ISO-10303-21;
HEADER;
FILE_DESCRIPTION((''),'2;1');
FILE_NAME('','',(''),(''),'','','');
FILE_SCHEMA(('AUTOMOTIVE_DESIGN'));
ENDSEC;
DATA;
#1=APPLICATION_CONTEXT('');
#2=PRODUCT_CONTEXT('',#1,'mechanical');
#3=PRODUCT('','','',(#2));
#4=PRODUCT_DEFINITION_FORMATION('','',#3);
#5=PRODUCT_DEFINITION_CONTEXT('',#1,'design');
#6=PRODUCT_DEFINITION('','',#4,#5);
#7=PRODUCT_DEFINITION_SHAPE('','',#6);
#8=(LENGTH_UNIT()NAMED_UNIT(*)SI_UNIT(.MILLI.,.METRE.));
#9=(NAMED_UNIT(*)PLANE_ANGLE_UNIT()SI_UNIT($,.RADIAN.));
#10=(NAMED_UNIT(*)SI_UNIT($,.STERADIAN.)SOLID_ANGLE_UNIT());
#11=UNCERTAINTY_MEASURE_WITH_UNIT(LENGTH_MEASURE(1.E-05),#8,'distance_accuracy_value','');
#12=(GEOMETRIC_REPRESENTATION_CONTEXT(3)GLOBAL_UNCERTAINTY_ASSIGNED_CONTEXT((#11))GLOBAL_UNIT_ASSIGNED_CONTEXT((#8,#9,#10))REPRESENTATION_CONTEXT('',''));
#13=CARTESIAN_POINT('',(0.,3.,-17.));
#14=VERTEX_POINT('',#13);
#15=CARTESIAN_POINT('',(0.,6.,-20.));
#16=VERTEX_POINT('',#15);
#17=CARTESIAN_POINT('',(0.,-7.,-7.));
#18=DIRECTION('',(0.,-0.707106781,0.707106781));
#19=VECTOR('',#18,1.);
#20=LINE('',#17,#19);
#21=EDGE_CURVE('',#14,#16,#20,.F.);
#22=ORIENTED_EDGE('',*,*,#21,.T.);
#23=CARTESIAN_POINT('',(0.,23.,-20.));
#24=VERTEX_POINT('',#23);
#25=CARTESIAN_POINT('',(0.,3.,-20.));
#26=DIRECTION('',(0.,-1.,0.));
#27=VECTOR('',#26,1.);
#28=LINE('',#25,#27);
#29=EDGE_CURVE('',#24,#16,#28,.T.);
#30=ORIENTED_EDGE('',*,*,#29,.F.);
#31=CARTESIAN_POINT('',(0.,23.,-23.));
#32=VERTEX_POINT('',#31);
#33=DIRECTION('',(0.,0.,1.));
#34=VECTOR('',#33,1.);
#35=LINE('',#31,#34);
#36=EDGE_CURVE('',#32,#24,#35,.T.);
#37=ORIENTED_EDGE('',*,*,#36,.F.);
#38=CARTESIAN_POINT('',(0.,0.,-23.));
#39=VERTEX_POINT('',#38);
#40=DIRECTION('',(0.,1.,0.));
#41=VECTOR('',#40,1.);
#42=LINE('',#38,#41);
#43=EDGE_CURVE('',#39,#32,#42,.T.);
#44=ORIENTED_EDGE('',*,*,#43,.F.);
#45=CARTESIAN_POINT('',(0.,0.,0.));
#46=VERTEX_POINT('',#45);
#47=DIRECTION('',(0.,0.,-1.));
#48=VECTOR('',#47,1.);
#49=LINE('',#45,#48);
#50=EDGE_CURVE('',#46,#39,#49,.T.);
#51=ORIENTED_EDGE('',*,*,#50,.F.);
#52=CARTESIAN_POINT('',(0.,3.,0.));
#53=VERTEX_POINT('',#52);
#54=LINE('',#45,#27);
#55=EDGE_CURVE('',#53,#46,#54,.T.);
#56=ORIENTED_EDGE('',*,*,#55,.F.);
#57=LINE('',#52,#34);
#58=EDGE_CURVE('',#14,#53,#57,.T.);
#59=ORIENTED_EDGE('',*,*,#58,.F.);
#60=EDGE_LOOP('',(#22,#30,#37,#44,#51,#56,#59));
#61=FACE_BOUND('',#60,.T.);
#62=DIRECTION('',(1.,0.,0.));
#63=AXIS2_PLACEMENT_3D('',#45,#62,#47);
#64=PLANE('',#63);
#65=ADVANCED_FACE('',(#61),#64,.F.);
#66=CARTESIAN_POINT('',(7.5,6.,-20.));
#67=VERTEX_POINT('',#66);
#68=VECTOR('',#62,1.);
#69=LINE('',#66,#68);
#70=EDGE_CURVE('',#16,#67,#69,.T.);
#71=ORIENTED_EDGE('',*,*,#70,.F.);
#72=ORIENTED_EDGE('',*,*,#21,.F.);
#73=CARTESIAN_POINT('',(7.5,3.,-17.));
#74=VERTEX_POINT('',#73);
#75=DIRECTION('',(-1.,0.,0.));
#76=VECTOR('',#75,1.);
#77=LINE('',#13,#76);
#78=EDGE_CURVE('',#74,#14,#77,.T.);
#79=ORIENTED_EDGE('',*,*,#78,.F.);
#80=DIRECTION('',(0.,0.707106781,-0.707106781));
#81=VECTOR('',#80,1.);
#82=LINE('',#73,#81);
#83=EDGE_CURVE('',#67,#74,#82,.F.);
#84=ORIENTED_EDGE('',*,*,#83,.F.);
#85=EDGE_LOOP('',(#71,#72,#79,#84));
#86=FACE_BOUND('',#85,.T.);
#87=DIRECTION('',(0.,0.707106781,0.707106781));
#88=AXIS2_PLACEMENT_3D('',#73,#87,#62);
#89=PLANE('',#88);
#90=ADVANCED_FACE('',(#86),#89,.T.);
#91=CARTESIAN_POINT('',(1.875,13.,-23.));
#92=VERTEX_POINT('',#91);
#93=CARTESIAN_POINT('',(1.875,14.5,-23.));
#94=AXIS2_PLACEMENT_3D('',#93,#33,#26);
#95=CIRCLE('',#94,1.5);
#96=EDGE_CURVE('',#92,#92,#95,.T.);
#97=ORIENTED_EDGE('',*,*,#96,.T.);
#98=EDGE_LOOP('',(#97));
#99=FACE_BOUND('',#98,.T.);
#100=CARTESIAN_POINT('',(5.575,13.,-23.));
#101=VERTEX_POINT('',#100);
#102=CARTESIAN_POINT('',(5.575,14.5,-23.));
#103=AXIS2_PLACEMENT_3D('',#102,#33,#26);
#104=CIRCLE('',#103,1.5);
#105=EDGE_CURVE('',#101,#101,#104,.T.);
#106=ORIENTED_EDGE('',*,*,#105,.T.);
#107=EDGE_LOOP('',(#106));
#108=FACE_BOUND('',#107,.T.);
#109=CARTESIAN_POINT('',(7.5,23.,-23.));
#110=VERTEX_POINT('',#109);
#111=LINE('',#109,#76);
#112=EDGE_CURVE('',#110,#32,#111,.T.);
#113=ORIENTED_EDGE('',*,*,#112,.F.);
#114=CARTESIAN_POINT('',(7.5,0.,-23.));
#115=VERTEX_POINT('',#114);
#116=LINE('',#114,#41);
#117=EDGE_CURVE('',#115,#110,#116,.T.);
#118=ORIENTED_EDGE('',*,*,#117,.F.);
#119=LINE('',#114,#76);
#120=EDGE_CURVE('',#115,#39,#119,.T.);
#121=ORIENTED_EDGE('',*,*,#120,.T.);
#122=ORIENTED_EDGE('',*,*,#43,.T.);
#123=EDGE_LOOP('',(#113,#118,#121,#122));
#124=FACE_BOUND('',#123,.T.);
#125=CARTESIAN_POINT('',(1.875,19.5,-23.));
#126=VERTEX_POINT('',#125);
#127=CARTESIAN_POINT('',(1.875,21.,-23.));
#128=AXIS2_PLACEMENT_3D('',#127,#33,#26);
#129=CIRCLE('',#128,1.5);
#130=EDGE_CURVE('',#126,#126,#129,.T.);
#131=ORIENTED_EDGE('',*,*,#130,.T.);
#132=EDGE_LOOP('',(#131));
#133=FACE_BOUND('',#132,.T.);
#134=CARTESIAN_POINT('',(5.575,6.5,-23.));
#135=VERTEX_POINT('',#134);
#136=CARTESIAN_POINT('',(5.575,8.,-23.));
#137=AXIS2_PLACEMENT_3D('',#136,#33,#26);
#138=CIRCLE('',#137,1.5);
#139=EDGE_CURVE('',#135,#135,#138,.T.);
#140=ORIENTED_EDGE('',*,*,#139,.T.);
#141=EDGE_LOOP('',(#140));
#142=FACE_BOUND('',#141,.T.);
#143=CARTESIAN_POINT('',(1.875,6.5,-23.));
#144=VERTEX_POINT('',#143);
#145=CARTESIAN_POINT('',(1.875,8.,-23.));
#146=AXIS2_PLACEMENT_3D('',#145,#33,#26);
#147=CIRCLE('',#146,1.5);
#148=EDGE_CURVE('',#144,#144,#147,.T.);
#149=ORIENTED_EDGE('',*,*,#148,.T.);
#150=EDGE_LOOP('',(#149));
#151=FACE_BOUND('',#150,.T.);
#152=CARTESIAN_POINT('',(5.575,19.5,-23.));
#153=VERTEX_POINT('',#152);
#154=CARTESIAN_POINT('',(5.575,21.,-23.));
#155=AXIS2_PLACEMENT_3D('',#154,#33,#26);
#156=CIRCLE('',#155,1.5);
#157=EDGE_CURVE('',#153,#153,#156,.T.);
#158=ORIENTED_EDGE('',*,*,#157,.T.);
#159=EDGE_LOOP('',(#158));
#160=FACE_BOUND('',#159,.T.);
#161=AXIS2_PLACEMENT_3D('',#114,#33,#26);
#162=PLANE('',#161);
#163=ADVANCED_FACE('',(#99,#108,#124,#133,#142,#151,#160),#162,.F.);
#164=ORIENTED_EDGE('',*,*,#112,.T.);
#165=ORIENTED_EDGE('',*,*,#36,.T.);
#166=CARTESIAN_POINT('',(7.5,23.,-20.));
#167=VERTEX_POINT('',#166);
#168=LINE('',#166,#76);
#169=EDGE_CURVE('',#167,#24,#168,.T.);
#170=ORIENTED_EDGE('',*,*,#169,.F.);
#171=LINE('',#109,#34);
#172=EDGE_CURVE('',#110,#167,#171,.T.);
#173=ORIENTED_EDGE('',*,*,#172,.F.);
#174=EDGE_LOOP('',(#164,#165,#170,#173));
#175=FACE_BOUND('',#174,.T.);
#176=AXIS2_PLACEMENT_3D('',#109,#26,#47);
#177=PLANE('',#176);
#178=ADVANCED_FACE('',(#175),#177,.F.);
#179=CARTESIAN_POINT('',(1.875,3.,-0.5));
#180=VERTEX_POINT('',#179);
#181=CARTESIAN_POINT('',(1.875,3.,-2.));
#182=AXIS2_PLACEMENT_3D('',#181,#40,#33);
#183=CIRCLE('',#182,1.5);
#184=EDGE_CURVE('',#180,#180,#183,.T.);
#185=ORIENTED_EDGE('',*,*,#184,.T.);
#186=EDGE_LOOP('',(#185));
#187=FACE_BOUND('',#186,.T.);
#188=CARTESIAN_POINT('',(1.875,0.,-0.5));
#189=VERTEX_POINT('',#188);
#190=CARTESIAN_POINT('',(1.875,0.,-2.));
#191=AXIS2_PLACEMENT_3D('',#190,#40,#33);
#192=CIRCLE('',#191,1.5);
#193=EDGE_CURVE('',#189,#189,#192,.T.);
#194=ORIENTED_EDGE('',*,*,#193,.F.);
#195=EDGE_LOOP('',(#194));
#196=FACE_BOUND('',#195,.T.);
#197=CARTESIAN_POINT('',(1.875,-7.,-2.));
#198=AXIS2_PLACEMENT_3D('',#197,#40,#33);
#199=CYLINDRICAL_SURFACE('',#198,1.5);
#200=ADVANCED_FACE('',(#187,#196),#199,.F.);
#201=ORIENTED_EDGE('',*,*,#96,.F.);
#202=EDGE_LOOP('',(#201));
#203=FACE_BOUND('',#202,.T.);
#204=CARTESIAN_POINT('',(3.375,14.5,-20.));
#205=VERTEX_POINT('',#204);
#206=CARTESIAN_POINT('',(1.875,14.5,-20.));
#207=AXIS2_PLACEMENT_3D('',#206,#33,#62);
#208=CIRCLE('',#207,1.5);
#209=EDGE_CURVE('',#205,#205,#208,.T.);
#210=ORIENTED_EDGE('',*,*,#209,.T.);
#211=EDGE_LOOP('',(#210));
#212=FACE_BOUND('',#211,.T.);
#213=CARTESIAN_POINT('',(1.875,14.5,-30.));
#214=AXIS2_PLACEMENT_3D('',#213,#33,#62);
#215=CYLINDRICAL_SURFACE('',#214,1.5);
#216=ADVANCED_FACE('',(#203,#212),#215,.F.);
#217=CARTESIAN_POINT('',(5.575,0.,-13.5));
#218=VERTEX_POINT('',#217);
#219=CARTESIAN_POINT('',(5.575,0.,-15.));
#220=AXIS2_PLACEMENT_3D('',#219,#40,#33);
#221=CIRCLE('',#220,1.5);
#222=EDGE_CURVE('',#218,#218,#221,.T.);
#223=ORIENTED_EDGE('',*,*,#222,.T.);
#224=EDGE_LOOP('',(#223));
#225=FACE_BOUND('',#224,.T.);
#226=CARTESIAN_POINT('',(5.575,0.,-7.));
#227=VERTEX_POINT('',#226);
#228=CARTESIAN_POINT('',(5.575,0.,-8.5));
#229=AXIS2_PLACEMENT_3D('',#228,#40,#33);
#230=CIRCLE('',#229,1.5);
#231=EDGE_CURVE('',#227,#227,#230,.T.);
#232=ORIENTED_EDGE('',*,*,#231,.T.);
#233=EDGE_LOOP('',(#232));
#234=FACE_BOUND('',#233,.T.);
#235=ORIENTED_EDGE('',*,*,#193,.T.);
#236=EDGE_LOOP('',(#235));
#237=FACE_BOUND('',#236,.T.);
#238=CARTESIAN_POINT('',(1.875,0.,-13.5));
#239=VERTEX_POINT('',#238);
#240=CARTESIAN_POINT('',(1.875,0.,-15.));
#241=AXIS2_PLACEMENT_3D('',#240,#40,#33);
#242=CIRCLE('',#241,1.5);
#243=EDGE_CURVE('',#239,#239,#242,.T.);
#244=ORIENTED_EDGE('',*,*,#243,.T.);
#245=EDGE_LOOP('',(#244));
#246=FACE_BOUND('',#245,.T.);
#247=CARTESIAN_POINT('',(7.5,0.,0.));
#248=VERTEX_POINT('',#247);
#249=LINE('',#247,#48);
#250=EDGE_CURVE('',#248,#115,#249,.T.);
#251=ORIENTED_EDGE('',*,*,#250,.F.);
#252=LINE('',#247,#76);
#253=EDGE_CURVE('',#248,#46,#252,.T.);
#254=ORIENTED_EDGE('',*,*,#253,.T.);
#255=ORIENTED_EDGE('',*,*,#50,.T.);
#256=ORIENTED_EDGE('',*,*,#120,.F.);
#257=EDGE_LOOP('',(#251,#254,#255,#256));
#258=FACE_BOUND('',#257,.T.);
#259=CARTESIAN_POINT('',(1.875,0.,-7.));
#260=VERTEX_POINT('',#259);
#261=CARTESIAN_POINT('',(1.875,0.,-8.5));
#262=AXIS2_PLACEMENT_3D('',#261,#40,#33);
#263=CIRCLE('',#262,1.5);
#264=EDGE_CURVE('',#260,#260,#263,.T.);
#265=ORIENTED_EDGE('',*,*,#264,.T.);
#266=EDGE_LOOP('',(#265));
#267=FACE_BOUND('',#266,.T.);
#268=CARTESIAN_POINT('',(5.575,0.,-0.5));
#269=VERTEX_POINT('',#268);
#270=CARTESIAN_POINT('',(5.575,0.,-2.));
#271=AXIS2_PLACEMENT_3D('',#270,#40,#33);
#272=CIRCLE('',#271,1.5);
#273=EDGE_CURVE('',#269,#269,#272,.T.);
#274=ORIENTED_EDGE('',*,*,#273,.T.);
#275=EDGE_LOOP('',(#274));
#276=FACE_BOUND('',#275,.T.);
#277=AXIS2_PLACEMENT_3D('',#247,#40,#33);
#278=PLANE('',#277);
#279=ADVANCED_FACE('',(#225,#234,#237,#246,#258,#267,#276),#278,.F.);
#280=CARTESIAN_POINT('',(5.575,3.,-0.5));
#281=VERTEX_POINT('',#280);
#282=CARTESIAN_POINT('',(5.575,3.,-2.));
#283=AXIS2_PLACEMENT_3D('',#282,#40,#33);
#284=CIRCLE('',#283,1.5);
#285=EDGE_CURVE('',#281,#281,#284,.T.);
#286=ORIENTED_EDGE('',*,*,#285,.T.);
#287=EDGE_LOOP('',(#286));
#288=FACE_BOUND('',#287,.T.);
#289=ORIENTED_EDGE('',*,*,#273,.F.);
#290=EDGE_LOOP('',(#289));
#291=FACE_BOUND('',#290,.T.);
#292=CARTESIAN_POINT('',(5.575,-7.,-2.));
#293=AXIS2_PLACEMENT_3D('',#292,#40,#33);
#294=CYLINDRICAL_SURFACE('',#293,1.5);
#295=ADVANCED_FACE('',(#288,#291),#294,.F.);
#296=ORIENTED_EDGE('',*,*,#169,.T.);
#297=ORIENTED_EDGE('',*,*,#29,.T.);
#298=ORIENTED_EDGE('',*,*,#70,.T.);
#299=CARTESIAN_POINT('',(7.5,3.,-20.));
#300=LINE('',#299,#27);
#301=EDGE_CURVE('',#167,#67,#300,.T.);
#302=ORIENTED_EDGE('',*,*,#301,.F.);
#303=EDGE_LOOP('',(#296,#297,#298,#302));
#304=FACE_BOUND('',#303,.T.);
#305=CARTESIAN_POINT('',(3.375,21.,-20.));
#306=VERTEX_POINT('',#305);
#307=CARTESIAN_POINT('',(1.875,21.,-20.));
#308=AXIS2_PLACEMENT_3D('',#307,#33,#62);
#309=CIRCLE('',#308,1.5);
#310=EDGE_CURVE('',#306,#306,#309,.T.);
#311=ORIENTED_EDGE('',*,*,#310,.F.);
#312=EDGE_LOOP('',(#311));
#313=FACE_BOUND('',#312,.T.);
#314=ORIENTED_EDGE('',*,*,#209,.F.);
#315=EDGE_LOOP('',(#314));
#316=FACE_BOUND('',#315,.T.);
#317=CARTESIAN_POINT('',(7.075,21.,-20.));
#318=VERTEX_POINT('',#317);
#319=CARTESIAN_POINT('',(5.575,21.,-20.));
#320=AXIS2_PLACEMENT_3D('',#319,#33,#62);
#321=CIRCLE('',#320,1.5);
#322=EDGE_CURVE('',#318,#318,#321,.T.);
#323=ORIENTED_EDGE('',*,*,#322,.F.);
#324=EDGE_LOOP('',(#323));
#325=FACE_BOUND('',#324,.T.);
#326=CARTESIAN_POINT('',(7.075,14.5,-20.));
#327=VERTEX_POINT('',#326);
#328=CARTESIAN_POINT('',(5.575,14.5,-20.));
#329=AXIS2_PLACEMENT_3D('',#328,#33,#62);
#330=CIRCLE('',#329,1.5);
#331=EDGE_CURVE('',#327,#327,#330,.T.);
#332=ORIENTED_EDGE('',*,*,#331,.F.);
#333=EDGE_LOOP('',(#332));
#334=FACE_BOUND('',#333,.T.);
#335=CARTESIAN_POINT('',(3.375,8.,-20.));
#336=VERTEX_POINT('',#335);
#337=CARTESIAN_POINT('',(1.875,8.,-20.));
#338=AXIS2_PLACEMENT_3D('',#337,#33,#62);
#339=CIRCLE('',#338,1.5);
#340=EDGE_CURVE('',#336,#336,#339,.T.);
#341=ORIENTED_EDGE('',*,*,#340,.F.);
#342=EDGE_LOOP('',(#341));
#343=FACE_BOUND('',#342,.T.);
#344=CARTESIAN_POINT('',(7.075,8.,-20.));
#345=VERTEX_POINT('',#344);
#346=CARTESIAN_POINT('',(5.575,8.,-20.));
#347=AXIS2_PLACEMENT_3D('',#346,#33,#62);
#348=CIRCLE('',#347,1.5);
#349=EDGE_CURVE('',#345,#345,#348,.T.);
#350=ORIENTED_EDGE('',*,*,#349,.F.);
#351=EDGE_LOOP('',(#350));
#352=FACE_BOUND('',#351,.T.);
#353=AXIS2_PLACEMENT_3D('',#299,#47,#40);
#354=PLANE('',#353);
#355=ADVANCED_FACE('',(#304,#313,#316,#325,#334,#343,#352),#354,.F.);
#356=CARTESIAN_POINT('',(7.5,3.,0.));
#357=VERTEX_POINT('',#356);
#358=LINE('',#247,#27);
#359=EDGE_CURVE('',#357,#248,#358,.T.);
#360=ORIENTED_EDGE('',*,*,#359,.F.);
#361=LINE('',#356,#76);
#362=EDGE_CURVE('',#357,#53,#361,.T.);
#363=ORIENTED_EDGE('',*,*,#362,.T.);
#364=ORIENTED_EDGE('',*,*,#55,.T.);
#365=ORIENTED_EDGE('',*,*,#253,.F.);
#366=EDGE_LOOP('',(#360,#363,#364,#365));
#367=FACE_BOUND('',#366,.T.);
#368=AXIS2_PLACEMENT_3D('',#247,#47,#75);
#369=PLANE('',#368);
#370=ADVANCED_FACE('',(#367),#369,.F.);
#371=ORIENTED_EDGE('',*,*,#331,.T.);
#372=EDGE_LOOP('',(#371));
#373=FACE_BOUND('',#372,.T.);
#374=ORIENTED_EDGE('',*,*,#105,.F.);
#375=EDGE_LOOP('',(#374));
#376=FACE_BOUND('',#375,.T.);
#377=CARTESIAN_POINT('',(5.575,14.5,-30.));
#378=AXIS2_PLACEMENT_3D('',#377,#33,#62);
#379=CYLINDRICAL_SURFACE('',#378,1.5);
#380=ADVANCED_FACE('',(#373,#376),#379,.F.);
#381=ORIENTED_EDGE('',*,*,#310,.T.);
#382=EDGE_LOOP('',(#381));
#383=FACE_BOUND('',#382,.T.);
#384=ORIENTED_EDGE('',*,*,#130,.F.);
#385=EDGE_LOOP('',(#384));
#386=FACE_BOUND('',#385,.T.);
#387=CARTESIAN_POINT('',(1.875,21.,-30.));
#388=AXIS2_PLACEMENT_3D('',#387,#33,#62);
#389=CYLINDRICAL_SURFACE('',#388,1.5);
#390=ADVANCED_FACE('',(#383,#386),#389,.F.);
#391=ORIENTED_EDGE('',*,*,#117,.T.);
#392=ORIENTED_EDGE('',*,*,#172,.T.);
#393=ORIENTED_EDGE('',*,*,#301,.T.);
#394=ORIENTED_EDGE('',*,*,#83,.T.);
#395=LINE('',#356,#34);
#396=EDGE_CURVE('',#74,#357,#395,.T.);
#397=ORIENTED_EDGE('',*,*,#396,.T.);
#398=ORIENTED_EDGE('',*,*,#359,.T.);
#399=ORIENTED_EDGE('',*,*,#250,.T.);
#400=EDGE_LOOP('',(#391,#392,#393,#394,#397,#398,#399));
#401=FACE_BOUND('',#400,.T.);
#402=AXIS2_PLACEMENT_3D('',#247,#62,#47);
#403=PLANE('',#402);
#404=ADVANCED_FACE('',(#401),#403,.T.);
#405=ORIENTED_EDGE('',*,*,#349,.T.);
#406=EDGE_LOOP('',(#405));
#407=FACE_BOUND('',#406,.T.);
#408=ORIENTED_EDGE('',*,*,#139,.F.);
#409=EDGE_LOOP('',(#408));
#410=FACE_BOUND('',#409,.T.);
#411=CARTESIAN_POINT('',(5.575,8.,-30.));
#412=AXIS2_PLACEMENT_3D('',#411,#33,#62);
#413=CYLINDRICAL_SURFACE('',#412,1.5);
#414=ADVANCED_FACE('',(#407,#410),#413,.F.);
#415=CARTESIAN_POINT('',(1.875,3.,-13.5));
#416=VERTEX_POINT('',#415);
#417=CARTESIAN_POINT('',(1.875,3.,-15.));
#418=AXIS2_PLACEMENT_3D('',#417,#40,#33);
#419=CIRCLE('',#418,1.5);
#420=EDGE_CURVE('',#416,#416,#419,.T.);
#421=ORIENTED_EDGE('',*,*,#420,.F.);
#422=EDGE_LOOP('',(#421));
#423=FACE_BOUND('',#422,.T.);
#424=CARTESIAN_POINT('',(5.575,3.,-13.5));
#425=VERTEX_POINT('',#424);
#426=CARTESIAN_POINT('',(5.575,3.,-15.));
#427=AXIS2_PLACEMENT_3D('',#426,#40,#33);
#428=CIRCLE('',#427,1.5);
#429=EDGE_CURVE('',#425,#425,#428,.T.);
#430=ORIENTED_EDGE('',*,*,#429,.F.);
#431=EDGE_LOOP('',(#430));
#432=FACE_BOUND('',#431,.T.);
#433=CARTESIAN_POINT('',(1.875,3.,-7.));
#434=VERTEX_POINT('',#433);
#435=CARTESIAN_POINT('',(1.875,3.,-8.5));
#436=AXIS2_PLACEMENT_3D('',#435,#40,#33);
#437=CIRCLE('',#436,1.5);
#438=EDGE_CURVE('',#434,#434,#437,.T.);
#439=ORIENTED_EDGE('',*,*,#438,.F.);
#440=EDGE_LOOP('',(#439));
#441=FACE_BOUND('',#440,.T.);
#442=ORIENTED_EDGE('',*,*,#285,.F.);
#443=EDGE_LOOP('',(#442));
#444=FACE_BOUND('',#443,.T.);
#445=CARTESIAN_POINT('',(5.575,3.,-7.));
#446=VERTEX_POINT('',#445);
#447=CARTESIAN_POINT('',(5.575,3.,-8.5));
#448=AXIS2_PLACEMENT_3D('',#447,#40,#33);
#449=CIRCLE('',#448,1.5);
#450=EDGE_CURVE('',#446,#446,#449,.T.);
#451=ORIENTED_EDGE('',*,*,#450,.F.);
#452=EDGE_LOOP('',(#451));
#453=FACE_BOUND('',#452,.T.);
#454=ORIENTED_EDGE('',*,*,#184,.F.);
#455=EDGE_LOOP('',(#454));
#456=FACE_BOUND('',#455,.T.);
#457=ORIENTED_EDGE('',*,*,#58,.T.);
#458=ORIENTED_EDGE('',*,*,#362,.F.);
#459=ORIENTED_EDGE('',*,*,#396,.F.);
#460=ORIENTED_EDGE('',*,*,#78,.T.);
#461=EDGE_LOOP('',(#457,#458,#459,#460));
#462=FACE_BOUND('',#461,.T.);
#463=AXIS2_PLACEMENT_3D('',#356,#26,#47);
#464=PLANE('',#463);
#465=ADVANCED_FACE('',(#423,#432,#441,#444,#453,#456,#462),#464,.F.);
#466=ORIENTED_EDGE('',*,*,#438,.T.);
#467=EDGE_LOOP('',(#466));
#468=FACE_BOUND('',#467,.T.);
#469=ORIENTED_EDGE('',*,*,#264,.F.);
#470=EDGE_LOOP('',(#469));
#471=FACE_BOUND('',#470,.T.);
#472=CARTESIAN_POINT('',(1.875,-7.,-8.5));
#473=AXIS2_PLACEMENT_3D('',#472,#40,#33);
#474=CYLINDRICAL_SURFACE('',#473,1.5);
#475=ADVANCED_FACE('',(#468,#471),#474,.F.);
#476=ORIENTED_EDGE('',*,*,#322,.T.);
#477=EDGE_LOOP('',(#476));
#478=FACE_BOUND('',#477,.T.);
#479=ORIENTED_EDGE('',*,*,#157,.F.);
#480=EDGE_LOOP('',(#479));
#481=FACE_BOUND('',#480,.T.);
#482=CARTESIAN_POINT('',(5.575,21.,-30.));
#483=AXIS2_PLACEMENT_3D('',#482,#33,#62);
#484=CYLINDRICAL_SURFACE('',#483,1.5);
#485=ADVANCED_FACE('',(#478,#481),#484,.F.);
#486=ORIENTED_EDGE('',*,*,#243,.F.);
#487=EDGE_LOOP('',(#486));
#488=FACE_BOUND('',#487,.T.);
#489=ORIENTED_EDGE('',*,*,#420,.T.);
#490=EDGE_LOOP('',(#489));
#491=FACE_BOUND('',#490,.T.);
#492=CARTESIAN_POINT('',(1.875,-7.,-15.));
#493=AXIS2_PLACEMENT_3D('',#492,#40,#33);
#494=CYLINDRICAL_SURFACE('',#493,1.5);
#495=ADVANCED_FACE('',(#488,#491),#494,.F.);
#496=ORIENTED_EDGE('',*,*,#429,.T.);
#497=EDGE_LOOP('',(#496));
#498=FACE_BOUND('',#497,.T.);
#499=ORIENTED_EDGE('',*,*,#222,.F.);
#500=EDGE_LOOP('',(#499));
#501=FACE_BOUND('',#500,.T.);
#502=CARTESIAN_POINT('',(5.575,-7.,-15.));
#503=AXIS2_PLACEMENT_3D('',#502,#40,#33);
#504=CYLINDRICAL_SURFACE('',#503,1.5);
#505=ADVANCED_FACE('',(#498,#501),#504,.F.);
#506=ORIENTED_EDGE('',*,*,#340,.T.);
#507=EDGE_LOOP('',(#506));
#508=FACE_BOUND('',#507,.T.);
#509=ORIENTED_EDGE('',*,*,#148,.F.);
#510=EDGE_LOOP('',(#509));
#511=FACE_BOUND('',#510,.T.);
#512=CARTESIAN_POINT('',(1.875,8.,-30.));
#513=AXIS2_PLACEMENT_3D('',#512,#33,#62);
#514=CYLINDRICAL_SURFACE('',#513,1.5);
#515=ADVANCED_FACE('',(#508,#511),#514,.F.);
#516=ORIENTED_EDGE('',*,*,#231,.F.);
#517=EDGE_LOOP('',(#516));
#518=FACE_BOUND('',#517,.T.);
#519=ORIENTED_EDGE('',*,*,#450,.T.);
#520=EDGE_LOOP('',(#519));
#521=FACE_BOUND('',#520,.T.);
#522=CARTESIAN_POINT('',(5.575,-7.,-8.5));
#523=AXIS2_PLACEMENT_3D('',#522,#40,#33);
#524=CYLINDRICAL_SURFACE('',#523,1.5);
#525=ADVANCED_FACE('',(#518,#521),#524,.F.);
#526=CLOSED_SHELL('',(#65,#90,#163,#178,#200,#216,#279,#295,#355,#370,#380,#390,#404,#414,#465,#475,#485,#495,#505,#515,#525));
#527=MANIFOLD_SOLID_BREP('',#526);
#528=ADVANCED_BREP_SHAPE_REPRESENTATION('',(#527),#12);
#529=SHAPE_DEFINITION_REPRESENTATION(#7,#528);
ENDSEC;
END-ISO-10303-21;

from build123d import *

# Parameters (mm, degrees)
BOSS_EXTRUDE1_DEPTH  = 7.5
CHAMFER1_SIZE        = 3
SKETCH3_R            = 1.5
CUT_EXTRUDE1_DEPTH   = 10
SKETCH4_R            = 1.5
CUT_EXTRUDE2_DEPTH   = 10
LPATTERN1_COUNT      = 2
LPATTERN1_PITCH      = 3.7
LPATTERN1_COUNT_DIR2 = 5
LPATTERN1_PITCH_DIR2 = 3.25
LPATTERN2_COUNT      = 2
LPATTERN2_PITCH      = 3.7
LPATTERN2_COUNT_DIR2 = 5
LPATTERN2_PITCH_DIR2 = 3.25


with BuildPart() as part:
    # Sketch1 → Boss-Extrude1 (new body)
    with BuildSketch(Plane(origin=(0, 0, 0), x_dir=(0, 0, -1), z_dir=(1, 0, 0))):
        Polygon((0, 0), (0, 3), (20, 3), (20, 23), (23, 23), (23, 0), align=None)
    extrude(amount=BOSS_EXTRUDE1_DEPTH)

    # Chamfer1
    chamfer1_edges = [part.edges().sort_by_distance(p)[0] for p in [
        (3.75, 3, -20),
    ]]
    chamfer(chamfer1_edges, length=CHAMFER1_SIZE)

    # Sketch3 → Cut-Extrude1 (cut)
    with BuildSketch(Plane.XY.offset(-20)):
        with Locations((1.875, 21)):
            Circle(SKETCH3_R)
    cut_extrude1 = extrude(amount=-CUT_EXTRUDE1_DEPTH, mode=Mode.SUBTRACT)

    # Sketch4 → Cut-Extrude2 (cut)
    with BuildSketch(Plane(origin=(0, 3, 0), x_dir=(1, 0, 0), z_dir=(0, 1, 0))):
        with Locations(Location((1.875, 2, 0), (0, 0, 270))):
            Circle(SKETCH4_R)
    cut_extrude2 = extrude(amount=-CUT_EXTRUDE2_DEPTH, mode=Mode.SUBTRACT)

    # LPattern1: Cut-Extrude1 2 × 5, 4 skipped
    with Locations(*[(i * LPATTERN1_PITCH, -j * LPATTERN1_PITCH_DIR2, 0) for i in range(LPATTERN1_COUNT) for j in range(LPATTERN1_COUNT_DIR2) if (i, j) not in ((0, 0), (0, 1), (0, 3), (1, 1), (1, 3))]):
        add(cut_extrude1, mode=Mode.SUBTRACT)

    # LPattern2: Cut-Extrude2 2 × 5, 4 skipped
    with Locations(*[(i * LPATTERN2_PITCH, 0, -j * LPATTERN2_PITCH_DIR2) for i in range(LPATTERN2_COUNT) for j in range(LPATTERN2_COUNT_DIR2) if (i, j) not in ((0, 0), (0, 1), (0, 3), (1, 1), (1, 3))]):
        add(cut_extrude2, mode=Mode.SUBTRACT)


solid = part.part
